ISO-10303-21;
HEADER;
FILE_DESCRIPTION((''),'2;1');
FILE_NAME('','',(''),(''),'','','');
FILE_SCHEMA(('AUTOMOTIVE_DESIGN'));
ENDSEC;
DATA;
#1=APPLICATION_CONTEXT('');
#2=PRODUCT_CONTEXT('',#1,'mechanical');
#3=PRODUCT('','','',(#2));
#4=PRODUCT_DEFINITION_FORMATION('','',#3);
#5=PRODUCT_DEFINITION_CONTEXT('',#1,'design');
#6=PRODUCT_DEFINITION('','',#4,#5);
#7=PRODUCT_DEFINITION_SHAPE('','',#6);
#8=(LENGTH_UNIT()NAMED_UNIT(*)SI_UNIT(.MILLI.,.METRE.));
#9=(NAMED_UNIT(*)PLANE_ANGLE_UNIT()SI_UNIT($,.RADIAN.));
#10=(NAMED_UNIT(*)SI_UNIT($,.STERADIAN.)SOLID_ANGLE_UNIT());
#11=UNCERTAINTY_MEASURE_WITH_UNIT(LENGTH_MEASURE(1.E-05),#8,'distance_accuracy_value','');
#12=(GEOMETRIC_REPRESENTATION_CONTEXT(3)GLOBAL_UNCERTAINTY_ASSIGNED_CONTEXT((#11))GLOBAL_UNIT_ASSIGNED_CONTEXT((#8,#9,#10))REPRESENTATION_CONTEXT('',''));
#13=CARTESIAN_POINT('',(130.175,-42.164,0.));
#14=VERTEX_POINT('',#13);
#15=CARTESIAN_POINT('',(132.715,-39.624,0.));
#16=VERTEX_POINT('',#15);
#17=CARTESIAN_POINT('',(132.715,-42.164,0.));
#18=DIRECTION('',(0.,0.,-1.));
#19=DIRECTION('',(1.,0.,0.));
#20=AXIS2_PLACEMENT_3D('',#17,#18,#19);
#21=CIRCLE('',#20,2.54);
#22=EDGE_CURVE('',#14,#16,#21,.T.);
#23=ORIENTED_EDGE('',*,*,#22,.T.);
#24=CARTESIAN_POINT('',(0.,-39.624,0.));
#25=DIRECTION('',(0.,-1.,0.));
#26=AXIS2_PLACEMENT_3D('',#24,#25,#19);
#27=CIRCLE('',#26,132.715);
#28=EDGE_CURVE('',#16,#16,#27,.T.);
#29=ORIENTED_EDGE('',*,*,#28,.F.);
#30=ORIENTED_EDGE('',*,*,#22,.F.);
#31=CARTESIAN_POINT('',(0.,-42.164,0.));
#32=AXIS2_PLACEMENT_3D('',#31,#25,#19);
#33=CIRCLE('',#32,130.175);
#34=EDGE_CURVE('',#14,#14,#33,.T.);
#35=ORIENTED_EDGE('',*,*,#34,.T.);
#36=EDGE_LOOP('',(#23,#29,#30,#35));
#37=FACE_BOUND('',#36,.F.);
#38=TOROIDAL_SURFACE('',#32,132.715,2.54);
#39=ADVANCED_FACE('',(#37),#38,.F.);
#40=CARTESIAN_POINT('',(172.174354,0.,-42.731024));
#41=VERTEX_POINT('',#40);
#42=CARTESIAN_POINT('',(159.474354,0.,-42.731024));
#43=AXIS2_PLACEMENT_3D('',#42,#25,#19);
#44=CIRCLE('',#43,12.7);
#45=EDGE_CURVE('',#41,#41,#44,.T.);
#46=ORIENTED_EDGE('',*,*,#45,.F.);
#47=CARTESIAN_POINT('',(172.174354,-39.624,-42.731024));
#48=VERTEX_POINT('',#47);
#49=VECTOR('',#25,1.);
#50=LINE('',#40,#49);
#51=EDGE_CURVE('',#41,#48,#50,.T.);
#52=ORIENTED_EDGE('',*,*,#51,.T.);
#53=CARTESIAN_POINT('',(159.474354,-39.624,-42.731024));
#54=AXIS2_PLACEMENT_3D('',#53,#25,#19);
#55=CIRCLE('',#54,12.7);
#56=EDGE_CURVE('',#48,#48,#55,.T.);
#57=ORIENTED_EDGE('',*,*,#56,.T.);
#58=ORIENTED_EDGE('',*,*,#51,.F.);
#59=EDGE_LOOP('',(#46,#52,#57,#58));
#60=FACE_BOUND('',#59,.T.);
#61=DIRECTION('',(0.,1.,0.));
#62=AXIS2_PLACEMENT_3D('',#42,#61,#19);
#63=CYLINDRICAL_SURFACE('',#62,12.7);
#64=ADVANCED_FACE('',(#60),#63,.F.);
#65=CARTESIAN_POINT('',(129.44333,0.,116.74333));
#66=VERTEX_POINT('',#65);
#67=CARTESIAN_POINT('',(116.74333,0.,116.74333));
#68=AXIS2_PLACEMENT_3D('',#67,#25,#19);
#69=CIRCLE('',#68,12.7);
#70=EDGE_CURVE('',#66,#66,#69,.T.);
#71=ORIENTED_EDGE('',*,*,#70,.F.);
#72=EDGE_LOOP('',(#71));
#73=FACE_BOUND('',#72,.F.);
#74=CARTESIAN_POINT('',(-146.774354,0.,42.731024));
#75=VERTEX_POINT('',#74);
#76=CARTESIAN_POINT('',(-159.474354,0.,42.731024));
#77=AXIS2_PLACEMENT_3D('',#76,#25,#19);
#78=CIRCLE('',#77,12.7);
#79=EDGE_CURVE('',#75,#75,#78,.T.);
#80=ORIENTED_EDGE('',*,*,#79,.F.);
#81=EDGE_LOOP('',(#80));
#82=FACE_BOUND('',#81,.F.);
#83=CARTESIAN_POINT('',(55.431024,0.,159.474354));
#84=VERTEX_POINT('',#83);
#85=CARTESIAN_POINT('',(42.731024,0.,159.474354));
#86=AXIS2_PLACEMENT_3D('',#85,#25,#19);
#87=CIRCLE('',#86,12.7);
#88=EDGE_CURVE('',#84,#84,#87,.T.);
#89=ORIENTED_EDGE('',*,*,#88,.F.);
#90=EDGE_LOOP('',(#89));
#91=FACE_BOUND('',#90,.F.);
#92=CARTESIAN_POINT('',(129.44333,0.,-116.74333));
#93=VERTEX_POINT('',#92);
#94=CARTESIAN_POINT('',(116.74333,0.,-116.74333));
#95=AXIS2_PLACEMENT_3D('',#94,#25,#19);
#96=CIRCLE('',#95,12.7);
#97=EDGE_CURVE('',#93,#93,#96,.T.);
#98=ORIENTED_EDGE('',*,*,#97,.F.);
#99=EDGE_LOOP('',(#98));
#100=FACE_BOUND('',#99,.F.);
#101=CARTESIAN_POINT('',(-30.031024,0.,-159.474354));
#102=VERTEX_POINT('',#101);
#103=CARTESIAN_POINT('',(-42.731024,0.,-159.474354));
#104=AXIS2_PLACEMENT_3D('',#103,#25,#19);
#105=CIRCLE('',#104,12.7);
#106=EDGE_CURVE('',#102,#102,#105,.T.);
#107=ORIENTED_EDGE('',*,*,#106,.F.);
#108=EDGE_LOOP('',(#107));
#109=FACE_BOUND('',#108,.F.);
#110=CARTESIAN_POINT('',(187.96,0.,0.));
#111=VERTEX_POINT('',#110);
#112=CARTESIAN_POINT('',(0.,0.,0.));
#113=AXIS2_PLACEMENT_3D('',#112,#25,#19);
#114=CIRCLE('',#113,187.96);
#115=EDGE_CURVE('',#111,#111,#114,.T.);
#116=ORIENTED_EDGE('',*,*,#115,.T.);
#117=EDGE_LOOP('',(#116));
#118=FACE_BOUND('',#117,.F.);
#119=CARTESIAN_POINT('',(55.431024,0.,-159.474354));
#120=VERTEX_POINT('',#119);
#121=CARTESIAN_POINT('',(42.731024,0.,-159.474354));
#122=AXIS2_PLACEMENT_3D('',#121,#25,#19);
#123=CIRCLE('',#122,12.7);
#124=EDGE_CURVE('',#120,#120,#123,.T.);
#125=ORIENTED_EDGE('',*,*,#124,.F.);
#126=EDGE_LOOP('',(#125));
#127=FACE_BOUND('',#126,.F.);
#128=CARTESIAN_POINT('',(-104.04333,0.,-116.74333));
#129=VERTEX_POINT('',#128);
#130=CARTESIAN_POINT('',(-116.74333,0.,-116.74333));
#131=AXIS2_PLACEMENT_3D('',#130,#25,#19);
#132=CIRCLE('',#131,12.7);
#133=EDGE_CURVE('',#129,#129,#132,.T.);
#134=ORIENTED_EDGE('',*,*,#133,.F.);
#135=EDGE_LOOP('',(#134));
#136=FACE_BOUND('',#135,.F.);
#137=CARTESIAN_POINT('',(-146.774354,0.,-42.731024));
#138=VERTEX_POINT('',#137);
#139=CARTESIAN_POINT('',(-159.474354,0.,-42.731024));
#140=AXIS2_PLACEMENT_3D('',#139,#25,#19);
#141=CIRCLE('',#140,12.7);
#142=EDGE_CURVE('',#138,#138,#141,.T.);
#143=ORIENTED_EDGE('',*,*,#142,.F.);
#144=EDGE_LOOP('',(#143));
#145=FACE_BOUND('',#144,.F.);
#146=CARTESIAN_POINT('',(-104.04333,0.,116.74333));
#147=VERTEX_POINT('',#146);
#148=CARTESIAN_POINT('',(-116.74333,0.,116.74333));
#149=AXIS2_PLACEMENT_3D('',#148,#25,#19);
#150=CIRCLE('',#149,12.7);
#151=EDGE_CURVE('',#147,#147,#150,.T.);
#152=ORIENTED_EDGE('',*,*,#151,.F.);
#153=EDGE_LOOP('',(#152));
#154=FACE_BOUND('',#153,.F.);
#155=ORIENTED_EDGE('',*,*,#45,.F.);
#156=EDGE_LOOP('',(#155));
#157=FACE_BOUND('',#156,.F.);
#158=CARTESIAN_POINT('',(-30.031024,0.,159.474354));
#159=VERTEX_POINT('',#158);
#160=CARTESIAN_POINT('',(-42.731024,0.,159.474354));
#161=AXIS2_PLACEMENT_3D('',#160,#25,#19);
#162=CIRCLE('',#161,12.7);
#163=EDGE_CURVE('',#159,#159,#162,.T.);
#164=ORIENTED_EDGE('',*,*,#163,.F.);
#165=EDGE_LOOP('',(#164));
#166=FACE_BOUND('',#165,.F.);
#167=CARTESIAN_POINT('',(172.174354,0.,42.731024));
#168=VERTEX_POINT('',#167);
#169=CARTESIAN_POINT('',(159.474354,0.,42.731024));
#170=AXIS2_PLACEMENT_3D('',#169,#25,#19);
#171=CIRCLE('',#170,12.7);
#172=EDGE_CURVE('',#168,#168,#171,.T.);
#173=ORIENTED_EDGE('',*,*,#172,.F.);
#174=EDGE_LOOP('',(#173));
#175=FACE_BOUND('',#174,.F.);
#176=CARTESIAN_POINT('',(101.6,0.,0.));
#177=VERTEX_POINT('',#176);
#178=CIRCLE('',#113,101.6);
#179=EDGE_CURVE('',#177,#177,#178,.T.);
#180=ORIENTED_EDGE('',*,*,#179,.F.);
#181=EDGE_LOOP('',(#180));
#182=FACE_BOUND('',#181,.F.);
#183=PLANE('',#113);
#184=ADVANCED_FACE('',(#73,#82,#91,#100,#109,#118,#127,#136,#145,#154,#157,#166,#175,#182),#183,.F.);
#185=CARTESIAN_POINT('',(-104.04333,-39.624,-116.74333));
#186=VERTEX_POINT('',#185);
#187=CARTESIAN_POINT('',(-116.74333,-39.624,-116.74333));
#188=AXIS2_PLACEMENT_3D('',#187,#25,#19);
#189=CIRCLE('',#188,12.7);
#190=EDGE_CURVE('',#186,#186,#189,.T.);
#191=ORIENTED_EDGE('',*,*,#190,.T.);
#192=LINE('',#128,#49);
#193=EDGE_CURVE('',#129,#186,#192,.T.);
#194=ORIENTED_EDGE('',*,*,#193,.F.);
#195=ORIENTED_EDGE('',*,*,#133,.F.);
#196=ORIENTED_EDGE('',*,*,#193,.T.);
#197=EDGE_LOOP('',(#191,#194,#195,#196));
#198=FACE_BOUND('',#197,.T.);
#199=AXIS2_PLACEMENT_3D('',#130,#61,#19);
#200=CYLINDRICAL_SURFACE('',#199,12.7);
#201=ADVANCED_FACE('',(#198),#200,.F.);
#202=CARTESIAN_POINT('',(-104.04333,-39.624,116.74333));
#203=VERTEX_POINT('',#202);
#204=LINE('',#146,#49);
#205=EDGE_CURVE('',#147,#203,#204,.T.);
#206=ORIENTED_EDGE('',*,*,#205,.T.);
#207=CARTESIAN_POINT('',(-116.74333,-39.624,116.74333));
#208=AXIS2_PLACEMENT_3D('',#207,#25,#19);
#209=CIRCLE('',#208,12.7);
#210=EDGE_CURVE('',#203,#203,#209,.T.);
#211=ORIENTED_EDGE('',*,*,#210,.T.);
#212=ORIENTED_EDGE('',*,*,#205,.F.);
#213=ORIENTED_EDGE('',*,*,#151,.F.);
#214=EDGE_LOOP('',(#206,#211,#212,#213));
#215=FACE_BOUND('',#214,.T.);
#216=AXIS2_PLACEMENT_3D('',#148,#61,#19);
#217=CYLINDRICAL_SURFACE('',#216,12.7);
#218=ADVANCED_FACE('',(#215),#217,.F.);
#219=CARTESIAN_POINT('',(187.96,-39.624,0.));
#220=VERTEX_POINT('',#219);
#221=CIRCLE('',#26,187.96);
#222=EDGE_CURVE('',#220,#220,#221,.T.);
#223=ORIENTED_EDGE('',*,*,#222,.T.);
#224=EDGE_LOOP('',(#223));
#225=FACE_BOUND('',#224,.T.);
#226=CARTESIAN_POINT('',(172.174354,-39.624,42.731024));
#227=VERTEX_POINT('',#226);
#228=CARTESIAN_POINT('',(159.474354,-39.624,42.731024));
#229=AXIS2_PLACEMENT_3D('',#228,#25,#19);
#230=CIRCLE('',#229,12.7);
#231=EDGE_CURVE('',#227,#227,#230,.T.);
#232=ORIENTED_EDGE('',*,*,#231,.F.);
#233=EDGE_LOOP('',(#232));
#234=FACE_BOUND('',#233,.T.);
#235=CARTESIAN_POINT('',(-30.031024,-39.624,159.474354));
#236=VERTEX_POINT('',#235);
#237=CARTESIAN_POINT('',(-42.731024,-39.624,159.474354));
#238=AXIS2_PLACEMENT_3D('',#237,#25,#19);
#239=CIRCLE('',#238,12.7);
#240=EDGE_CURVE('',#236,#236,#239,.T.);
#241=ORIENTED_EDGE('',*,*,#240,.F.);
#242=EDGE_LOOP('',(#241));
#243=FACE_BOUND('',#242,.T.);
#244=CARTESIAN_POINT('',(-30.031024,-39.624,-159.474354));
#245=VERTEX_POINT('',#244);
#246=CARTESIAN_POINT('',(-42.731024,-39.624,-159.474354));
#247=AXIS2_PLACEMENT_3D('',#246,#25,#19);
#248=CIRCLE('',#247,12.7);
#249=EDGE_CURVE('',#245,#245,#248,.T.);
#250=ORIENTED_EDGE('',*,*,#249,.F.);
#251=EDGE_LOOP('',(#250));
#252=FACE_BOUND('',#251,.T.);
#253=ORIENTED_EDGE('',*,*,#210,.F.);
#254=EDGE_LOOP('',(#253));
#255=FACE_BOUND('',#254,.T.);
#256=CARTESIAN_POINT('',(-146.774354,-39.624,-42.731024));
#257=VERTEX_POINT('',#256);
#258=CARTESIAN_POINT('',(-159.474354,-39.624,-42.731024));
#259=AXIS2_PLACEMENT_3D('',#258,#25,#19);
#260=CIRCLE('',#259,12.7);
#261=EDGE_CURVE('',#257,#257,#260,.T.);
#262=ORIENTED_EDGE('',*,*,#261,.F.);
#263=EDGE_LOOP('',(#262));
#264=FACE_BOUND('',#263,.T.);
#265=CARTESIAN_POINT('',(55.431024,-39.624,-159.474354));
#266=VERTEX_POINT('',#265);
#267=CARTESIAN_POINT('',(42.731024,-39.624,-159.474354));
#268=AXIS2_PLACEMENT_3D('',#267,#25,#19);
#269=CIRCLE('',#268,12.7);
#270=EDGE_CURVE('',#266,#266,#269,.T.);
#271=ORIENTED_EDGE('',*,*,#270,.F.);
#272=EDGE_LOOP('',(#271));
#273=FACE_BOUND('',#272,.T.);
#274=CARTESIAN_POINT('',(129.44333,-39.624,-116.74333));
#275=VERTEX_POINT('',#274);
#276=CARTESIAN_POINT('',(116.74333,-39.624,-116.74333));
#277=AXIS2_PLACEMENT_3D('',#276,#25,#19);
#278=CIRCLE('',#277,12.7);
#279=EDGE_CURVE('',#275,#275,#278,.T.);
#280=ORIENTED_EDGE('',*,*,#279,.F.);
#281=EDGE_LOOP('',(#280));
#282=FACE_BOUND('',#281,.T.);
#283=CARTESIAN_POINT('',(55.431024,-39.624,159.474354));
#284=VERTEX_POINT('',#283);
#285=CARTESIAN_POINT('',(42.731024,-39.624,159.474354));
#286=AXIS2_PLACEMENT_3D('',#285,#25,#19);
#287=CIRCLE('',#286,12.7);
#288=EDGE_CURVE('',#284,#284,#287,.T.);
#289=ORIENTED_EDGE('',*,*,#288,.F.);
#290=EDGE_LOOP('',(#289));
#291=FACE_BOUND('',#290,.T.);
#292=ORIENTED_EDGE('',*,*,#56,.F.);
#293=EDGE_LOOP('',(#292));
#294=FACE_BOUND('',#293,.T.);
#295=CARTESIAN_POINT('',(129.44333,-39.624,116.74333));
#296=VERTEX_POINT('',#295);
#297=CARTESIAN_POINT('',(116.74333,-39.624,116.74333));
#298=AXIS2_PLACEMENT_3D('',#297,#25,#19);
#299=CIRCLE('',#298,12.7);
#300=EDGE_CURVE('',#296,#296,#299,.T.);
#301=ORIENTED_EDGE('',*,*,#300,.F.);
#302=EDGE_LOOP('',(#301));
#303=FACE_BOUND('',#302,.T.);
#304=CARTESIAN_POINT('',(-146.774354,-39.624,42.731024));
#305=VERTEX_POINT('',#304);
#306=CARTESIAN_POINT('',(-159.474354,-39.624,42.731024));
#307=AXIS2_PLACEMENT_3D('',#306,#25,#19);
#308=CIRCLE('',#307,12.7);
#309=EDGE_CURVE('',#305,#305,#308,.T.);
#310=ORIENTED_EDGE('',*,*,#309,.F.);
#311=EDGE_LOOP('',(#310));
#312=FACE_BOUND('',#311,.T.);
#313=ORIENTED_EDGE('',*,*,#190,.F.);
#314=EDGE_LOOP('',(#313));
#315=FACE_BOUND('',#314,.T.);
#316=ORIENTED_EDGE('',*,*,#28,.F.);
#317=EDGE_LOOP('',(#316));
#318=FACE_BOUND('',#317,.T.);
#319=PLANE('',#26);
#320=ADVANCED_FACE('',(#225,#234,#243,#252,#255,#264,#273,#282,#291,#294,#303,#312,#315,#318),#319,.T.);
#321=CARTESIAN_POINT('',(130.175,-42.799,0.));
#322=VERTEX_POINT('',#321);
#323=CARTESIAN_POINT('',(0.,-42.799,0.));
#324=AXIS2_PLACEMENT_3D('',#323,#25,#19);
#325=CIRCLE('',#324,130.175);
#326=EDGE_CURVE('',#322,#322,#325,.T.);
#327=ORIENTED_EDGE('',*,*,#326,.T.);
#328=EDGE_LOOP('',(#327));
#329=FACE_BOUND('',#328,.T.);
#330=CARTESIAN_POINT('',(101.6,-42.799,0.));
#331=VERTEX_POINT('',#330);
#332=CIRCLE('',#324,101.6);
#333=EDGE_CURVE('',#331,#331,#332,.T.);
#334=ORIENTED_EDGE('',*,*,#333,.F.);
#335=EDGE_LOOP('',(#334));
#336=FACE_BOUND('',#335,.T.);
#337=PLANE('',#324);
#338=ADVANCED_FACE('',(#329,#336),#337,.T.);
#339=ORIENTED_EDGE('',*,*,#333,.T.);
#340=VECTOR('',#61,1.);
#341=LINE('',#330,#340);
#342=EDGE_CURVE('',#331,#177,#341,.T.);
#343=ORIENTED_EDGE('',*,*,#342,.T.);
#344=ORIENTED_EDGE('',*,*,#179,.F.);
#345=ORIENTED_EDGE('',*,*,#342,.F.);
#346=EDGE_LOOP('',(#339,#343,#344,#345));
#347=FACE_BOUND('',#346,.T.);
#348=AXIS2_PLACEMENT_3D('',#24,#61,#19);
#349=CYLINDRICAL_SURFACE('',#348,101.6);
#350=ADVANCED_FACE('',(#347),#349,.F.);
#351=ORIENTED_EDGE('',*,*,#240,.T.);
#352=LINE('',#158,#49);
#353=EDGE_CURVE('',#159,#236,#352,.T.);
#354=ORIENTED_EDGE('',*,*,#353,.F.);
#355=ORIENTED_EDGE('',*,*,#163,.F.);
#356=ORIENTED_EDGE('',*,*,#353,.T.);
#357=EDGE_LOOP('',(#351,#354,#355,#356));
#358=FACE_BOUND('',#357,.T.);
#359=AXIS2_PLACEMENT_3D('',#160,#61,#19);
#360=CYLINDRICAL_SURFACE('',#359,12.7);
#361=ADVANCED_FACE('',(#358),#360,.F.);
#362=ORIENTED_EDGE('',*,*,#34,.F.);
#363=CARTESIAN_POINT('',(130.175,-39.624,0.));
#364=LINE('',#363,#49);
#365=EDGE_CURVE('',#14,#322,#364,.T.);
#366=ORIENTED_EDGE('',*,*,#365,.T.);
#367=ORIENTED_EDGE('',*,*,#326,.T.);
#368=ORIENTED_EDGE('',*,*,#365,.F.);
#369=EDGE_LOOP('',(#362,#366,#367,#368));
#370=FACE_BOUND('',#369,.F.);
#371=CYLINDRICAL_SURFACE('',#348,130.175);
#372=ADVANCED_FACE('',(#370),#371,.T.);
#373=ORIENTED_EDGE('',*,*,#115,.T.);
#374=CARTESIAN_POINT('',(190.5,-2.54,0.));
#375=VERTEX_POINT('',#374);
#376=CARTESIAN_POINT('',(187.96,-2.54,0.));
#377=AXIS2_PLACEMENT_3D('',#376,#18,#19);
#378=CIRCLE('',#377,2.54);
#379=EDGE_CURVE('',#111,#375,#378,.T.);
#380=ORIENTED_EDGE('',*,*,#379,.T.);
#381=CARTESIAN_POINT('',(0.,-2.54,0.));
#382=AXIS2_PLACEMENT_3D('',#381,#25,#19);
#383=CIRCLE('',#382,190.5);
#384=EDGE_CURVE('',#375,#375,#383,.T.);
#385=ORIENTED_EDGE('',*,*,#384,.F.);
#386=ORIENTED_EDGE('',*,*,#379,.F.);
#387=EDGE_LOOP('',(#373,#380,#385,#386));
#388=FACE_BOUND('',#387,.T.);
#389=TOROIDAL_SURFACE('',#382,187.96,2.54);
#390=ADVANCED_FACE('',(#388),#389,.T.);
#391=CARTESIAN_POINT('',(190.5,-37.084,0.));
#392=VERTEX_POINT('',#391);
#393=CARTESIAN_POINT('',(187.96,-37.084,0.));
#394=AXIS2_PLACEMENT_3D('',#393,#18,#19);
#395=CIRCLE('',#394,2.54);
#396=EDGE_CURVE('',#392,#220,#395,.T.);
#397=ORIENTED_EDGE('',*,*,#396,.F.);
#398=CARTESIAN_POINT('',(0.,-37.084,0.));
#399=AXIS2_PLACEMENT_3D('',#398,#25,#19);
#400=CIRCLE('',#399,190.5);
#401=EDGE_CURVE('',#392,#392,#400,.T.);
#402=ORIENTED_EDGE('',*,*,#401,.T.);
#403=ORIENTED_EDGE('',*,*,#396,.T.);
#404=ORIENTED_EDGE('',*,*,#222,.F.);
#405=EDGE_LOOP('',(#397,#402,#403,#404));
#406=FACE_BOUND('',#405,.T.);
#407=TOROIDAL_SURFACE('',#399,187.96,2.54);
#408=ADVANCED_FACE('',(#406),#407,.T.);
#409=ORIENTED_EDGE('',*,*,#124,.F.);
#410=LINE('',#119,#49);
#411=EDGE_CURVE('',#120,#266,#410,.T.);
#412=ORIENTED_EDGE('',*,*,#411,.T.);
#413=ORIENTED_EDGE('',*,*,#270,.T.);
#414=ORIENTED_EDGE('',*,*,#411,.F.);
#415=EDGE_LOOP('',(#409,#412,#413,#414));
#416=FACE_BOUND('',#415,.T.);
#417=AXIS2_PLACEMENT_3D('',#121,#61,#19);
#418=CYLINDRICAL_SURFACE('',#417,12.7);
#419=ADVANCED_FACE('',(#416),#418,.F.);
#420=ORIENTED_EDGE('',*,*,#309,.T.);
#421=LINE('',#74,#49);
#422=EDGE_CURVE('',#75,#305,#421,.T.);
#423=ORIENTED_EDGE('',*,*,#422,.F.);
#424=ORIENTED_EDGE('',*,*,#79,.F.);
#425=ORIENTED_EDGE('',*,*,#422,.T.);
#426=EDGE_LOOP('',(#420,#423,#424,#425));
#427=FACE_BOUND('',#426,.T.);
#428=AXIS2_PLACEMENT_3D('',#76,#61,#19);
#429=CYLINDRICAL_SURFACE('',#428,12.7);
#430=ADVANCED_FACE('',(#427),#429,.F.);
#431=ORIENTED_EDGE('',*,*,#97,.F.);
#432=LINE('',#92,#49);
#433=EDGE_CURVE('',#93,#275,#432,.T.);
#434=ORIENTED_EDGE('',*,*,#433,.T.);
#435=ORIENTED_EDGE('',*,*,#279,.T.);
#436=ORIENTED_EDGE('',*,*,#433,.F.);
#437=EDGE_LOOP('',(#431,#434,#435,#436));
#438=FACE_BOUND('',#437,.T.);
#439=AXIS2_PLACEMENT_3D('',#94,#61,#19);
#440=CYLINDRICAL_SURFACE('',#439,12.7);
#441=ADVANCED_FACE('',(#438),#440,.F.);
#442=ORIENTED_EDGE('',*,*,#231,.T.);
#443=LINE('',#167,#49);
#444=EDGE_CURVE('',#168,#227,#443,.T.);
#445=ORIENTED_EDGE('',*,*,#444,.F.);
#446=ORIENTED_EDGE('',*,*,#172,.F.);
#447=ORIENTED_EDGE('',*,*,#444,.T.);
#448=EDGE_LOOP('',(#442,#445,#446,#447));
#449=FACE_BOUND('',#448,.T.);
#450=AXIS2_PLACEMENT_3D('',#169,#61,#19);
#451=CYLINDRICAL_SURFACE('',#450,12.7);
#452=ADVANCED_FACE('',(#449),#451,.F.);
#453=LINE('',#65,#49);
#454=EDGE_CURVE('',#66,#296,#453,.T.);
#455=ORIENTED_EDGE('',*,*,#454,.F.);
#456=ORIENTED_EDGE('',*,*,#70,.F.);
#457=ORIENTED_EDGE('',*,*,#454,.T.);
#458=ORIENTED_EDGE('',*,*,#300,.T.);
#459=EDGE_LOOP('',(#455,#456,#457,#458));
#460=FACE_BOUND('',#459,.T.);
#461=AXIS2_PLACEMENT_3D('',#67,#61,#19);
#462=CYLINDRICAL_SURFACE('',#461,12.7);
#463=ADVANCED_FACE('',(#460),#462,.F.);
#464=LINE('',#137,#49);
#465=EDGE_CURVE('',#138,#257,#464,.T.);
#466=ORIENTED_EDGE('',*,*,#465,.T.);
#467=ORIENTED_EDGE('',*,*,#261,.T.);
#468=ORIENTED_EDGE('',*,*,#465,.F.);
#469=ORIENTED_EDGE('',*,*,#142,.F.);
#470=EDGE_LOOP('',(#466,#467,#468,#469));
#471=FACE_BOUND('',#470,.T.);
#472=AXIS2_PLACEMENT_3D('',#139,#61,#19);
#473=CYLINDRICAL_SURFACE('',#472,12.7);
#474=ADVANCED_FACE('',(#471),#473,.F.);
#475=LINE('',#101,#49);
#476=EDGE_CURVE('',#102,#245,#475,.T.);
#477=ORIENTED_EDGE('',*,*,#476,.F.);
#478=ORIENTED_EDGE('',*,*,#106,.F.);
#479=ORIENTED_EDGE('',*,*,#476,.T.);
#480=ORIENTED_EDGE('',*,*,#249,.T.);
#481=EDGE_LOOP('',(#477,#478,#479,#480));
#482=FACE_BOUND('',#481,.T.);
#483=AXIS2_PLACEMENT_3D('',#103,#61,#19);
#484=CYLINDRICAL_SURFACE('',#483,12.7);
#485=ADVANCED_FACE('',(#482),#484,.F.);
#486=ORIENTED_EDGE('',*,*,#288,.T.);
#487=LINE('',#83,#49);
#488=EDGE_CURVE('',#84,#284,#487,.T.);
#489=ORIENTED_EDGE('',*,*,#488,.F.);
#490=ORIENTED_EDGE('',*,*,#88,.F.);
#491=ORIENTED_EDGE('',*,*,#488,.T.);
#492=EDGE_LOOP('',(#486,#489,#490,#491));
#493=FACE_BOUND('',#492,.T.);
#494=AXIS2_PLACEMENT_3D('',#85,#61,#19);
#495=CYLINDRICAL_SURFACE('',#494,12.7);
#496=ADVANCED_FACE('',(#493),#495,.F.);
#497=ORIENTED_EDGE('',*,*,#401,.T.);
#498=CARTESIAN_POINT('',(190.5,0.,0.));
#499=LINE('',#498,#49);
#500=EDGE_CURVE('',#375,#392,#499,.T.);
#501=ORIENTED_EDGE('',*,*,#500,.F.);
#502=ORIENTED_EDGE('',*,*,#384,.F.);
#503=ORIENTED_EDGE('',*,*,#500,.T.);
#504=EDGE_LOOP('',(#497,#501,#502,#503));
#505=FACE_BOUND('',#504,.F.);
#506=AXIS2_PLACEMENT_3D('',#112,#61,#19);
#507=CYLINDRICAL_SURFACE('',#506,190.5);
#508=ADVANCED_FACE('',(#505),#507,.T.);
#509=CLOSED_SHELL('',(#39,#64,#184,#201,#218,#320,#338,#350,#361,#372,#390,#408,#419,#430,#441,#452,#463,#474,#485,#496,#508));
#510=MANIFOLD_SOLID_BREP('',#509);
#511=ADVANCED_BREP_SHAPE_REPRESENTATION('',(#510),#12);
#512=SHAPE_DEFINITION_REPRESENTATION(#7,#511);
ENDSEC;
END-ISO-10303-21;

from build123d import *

# Parameters (mm, degrees)
F0_R     = 190.5
F0_R_2   = 12.7
F0_R_3   = 101.6
F1_DEPTH = 39.624
F2_R     = 130.175
F2_R_2   = 101.6
F3_DEPTH = 3.175
F4_R     = 2.54


with BuildPart() as f1:
    # F0 (on Front) → F1 (new body)
    with BuildSketch(Plane.XZ):
        Circle(F0_R)
        with Locations((-116.74333, -116.74333)):
            Circle(F0_R_2, mode=Mode.SUBTRACT)
        with Locations((-42.731024, -159.474354)):
            Circle(F0_R_2, mode=Mode.SUBTRACT)
        with Locations((-159.474354, -42.731024)):
            Circle(F0_R_2, mode=Mode.SUBTRACT)
        with Locations((42.731024, -159.474354)):
            Circle(F0_R_2, mode=Mode.SUBTRACT)
        with Locations((116.74333, -116.74333)):
            Circle(F0_R_2, mode=Mode.SUBTRACT)
        with Locations((159.474354, -42.731024)):
            Circle(F0_R_2, mode=Mode.SUBTRACT)
        with Locations((-159.474354, 42.731024)):
            Circle(F0_R_2, mode=Mode.SUBTRACT)
        with Locations((-116.74333, 116.74333)):
            Circle(F0_R_2, mode=Mode.SUBTRACT)
        with Locations((-42.731024, 159.474354)):
            Circle(F0_R_2, mode=Mode.SUBTRACT)
        Circle(F0_R_3, mode=Mode.SUBTRACT)
        with Locations((159.474354, 42.731024)):
            Circle(F0_R_2, mode=Mode.SUBTRACT)
        with Locations((42.731024, 159.474354)):
            Circle(F0_R_2, mode=Mode.SUBTRACT)
        with Locations((116.74333, 116.74333)):
            Circle(F0_R_2, mode=Mode.SUBTRACT)
    extrude(amount=F1_DEPTH)

    # F2 (on face) → F3 (join)
    with BuildSketch(Plane.XZ.offset(39.624)):
        Circle(F2_R)
        Circle(F2_R_2, mode=Mode.SUBTRACT)
    extrude(amount=F3_DEPTH)

    # F4
    f4_edges = [f1.edges().sort_by_distance(p)[0] for p in [
        (-190.5, -39.624, 0),
        (-190.5, 0, 0),
        (-130.175, -39.624, 0),
    ]]
    fillet(f4_edges, radius=F4_R)


solid = f1.part
